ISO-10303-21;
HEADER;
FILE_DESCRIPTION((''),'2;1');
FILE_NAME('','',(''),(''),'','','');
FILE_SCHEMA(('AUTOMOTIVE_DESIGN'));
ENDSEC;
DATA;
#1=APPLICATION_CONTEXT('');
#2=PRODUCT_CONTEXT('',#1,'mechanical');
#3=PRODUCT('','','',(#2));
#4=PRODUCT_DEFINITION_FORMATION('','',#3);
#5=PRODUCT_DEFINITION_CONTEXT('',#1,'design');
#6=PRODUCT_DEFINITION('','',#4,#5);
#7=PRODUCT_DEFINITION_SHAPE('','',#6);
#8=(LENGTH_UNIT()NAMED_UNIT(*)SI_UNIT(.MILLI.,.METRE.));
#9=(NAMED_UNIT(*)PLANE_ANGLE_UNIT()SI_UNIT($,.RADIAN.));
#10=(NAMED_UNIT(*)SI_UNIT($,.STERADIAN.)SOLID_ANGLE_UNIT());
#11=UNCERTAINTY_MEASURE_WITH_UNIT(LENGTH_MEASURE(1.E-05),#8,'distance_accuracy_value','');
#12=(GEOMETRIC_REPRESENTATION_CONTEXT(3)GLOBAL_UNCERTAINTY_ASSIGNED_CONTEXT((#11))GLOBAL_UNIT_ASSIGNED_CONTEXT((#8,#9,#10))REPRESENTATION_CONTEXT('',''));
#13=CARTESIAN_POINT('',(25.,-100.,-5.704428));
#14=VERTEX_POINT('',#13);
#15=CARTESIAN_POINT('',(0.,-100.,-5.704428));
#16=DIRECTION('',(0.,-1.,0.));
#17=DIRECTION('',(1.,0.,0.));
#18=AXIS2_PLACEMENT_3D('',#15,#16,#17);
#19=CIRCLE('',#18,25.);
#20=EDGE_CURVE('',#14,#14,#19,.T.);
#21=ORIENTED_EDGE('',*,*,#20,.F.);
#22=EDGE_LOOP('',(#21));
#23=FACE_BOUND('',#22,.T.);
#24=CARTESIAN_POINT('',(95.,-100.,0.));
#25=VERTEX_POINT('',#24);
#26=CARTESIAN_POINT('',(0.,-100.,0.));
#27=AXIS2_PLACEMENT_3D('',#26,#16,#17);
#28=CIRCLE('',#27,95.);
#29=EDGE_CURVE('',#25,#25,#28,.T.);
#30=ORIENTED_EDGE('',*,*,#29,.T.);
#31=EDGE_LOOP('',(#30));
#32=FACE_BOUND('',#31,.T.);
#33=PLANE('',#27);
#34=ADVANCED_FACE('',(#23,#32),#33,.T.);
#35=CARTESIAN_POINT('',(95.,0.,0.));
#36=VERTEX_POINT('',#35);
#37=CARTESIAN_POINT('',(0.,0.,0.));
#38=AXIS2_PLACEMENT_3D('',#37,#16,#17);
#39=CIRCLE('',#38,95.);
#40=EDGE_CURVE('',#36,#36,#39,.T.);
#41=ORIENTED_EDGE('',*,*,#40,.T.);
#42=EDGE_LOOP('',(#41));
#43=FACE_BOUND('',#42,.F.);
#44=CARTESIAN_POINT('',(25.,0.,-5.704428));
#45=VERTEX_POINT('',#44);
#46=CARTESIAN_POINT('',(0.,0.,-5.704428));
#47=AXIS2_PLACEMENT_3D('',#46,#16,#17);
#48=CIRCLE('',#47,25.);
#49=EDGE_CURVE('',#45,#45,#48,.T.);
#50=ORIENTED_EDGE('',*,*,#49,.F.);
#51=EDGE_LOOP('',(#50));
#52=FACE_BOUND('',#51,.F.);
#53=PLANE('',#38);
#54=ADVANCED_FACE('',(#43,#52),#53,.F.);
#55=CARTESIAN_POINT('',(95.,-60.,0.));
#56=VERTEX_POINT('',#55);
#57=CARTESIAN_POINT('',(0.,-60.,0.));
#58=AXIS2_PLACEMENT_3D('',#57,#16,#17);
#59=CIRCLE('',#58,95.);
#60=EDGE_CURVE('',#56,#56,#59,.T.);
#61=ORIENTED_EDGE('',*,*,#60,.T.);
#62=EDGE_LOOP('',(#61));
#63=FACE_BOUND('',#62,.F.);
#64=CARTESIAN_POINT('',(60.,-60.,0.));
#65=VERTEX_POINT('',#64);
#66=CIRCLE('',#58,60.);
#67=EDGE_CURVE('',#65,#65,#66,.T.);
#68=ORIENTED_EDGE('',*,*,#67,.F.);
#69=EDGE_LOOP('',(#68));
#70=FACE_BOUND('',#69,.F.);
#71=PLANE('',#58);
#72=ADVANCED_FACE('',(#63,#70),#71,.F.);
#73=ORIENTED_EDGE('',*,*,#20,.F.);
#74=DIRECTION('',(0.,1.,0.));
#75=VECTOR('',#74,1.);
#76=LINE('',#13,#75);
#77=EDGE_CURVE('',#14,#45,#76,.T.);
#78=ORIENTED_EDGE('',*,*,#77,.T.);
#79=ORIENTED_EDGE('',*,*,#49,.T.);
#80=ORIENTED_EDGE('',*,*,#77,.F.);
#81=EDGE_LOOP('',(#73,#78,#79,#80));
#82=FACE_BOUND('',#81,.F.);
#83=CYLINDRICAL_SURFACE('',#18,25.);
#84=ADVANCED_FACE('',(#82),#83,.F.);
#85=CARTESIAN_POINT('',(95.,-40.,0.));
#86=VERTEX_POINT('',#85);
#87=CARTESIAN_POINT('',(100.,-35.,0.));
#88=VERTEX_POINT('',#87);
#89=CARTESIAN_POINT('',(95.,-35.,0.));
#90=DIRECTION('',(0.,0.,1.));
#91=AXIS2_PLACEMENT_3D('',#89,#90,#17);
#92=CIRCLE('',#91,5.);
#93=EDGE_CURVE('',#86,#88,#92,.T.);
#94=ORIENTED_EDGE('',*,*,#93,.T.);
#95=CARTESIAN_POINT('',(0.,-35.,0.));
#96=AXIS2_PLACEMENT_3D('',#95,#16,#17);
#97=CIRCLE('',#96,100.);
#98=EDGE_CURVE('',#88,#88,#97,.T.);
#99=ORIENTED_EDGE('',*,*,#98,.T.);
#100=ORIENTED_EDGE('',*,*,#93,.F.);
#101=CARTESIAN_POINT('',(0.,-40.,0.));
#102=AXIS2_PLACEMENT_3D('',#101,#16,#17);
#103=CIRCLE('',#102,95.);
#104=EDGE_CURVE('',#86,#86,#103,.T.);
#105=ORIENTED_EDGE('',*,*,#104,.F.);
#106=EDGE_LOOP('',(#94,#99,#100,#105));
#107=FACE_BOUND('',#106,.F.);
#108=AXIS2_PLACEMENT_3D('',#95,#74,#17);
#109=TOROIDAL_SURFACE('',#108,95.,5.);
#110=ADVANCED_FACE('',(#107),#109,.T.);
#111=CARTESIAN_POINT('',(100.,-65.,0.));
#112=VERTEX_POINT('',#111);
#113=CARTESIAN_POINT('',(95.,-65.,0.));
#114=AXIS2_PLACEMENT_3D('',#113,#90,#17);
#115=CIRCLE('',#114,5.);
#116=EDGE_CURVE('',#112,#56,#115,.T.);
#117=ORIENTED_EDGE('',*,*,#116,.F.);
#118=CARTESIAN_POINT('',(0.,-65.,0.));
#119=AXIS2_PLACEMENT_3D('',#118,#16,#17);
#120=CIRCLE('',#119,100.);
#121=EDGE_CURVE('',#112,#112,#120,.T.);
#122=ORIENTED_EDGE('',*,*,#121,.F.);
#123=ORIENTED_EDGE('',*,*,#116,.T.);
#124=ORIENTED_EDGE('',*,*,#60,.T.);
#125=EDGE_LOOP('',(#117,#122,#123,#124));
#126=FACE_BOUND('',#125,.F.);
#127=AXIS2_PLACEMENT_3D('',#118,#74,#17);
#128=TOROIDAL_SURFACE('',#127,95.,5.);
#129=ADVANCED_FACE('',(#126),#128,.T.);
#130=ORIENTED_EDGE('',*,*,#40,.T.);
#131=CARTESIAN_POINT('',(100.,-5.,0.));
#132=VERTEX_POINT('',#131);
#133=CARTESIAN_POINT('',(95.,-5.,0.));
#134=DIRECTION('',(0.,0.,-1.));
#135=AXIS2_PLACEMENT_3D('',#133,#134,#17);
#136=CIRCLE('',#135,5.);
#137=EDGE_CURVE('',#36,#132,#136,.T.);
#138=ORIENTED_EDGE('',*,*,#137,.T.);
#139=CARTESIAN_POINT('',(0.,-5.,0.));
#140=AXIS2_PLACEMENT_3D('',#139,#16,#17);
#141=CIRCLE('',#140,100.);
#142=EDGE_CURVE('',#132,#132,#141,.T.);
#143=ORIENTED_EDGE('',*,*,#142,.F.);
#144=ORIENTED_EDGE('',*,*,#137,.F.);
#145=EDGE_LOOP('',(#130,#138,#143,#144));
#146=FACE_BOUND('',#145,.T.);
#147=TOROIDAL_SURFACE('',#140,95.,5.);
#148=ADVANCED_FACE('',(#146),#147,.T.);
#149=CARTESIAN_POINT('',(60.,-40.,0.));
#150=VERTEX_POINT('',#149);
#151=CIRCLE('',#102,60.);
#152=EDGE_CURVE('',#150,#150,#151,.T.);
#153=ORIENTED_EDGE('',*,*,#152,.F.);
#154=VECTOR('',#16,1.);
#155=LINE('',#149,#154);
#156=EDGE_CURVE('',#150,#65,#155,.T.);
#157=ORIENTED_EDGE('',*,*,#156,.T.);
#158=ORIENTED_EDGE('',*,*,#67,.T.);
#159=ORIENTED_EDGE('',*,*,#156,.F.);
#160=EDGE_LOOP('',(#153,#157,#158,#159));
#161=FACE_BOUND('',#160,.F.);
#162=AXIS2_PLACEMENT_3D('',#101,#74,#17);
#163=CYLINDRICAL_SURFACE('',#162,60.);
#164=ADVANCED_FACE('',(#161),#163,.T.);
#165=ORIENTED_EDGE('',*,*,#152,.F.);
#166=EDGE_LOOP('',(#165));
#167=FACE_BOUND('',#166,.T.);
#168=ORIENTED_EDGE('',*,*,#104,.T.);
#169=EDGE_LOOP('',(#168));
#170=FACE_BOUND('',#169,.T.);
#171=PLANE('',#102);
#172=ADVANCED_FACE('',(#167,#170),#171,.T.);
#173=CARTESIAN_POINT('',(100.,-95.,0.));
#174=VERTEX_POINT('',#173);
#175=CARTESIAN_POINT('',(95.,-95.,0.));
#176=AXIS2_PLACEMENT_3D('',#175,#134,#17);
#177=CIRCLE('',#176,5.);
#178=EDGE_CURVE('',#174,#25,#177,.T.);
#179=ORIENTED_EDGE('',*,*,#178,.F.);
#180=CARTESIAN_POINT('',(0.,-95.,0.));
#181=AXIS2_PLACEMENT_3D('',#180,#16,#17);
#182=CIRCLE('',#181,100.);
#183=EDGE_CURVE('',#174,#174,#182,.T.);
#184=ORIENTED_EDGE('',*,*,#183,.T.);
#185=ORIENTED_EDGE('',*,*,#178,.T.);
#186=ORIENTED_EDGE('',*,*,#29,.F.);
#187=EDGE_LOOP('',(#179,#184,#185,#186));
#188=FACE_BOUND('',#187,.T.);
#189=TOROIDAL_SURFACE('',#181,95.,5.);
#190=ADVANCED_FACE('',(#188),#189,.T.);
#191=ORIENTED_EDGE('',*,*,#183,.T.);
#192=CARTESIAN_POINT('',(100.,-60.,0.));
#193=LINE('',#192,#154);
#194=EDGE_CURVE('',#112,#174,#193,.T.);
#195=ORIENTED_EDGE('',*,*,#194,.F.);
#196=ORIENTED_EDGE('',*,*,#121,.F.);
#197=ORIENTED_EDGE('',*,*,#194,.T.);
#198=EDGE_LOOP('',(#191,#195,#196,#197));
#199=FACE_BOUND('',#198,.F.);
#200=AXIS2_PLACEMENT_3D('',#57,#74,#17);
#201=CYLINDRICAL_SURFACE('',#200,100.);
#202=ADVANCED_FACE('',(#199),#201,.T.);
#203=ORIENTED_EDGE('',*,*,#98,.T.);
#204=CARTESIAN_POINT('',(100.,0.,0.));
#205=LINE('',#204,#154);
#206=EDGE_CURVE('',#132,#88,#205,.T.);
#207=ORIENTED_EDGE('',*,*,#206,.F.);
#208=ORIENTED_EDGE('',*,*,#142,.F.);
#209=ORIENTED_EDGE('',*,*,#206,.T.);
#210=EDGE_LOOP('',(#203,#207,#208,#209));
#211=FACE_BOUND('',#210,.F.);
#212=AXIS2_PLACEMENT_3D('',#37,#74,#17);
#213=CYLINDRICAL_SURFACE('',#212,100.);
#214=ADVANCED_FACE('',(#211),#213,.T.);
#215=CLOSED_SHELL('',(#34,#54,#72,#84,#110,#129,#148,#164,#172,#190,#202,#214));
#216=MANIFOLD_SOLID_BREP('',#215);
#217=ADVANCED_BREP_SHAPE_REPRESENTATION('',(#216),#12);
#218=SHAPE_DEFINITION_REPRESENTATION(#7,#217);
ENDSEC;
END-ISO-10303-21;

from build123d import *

# Parameters (mm, degrees)
F0_R     = 100
F1_DEPTH = 40
F2_R     = 60
F3_DEPTH = 20
F4_R     = 100
F5_DEPTH = 40
F6_R     = 25
F7_DEPTH = 100
F8_R     = 5


with BuildPart() as f1:
    # F0 (on Front) → F1 (new body)
    with BuildSketch(Plane.XZ):
        Circle(F0_R)
    extrude(amount=F1_DEPTH)

    # F2 (on face) → F3 (join)
    with BuildSketch(Plane.XZ.offset(40)):
        Circle(F2_R)
    extrude(amount=F3_DEPTH)

    # F4 (on face) → F5 (join)
    with BuildSketch(Plane.XZ.offset(60)):
        Circle(F4_R)
    extrude(amount=F5_DEPTH)

    # F6 (on face) → F7 (cut)
    with BuildSketch(Plane.XZ.offset(100)):
        with Locations((0, -5.704428)):
            Circle(F6_R)
    extrude(amount=-F7_DEPTH, mode=Mode.SUBTRACT)

    # F8
    f8_edges = [f1.edges().sort_by_distance(p)[0] for p in [
        (-100, -100, 0),
        (-100, -60, 0),
        (-100, -40, 0),
        (-100, 0, 0),
    ]]
    fillet(f8_edges, radius=F8_R)


solid = f1.part
